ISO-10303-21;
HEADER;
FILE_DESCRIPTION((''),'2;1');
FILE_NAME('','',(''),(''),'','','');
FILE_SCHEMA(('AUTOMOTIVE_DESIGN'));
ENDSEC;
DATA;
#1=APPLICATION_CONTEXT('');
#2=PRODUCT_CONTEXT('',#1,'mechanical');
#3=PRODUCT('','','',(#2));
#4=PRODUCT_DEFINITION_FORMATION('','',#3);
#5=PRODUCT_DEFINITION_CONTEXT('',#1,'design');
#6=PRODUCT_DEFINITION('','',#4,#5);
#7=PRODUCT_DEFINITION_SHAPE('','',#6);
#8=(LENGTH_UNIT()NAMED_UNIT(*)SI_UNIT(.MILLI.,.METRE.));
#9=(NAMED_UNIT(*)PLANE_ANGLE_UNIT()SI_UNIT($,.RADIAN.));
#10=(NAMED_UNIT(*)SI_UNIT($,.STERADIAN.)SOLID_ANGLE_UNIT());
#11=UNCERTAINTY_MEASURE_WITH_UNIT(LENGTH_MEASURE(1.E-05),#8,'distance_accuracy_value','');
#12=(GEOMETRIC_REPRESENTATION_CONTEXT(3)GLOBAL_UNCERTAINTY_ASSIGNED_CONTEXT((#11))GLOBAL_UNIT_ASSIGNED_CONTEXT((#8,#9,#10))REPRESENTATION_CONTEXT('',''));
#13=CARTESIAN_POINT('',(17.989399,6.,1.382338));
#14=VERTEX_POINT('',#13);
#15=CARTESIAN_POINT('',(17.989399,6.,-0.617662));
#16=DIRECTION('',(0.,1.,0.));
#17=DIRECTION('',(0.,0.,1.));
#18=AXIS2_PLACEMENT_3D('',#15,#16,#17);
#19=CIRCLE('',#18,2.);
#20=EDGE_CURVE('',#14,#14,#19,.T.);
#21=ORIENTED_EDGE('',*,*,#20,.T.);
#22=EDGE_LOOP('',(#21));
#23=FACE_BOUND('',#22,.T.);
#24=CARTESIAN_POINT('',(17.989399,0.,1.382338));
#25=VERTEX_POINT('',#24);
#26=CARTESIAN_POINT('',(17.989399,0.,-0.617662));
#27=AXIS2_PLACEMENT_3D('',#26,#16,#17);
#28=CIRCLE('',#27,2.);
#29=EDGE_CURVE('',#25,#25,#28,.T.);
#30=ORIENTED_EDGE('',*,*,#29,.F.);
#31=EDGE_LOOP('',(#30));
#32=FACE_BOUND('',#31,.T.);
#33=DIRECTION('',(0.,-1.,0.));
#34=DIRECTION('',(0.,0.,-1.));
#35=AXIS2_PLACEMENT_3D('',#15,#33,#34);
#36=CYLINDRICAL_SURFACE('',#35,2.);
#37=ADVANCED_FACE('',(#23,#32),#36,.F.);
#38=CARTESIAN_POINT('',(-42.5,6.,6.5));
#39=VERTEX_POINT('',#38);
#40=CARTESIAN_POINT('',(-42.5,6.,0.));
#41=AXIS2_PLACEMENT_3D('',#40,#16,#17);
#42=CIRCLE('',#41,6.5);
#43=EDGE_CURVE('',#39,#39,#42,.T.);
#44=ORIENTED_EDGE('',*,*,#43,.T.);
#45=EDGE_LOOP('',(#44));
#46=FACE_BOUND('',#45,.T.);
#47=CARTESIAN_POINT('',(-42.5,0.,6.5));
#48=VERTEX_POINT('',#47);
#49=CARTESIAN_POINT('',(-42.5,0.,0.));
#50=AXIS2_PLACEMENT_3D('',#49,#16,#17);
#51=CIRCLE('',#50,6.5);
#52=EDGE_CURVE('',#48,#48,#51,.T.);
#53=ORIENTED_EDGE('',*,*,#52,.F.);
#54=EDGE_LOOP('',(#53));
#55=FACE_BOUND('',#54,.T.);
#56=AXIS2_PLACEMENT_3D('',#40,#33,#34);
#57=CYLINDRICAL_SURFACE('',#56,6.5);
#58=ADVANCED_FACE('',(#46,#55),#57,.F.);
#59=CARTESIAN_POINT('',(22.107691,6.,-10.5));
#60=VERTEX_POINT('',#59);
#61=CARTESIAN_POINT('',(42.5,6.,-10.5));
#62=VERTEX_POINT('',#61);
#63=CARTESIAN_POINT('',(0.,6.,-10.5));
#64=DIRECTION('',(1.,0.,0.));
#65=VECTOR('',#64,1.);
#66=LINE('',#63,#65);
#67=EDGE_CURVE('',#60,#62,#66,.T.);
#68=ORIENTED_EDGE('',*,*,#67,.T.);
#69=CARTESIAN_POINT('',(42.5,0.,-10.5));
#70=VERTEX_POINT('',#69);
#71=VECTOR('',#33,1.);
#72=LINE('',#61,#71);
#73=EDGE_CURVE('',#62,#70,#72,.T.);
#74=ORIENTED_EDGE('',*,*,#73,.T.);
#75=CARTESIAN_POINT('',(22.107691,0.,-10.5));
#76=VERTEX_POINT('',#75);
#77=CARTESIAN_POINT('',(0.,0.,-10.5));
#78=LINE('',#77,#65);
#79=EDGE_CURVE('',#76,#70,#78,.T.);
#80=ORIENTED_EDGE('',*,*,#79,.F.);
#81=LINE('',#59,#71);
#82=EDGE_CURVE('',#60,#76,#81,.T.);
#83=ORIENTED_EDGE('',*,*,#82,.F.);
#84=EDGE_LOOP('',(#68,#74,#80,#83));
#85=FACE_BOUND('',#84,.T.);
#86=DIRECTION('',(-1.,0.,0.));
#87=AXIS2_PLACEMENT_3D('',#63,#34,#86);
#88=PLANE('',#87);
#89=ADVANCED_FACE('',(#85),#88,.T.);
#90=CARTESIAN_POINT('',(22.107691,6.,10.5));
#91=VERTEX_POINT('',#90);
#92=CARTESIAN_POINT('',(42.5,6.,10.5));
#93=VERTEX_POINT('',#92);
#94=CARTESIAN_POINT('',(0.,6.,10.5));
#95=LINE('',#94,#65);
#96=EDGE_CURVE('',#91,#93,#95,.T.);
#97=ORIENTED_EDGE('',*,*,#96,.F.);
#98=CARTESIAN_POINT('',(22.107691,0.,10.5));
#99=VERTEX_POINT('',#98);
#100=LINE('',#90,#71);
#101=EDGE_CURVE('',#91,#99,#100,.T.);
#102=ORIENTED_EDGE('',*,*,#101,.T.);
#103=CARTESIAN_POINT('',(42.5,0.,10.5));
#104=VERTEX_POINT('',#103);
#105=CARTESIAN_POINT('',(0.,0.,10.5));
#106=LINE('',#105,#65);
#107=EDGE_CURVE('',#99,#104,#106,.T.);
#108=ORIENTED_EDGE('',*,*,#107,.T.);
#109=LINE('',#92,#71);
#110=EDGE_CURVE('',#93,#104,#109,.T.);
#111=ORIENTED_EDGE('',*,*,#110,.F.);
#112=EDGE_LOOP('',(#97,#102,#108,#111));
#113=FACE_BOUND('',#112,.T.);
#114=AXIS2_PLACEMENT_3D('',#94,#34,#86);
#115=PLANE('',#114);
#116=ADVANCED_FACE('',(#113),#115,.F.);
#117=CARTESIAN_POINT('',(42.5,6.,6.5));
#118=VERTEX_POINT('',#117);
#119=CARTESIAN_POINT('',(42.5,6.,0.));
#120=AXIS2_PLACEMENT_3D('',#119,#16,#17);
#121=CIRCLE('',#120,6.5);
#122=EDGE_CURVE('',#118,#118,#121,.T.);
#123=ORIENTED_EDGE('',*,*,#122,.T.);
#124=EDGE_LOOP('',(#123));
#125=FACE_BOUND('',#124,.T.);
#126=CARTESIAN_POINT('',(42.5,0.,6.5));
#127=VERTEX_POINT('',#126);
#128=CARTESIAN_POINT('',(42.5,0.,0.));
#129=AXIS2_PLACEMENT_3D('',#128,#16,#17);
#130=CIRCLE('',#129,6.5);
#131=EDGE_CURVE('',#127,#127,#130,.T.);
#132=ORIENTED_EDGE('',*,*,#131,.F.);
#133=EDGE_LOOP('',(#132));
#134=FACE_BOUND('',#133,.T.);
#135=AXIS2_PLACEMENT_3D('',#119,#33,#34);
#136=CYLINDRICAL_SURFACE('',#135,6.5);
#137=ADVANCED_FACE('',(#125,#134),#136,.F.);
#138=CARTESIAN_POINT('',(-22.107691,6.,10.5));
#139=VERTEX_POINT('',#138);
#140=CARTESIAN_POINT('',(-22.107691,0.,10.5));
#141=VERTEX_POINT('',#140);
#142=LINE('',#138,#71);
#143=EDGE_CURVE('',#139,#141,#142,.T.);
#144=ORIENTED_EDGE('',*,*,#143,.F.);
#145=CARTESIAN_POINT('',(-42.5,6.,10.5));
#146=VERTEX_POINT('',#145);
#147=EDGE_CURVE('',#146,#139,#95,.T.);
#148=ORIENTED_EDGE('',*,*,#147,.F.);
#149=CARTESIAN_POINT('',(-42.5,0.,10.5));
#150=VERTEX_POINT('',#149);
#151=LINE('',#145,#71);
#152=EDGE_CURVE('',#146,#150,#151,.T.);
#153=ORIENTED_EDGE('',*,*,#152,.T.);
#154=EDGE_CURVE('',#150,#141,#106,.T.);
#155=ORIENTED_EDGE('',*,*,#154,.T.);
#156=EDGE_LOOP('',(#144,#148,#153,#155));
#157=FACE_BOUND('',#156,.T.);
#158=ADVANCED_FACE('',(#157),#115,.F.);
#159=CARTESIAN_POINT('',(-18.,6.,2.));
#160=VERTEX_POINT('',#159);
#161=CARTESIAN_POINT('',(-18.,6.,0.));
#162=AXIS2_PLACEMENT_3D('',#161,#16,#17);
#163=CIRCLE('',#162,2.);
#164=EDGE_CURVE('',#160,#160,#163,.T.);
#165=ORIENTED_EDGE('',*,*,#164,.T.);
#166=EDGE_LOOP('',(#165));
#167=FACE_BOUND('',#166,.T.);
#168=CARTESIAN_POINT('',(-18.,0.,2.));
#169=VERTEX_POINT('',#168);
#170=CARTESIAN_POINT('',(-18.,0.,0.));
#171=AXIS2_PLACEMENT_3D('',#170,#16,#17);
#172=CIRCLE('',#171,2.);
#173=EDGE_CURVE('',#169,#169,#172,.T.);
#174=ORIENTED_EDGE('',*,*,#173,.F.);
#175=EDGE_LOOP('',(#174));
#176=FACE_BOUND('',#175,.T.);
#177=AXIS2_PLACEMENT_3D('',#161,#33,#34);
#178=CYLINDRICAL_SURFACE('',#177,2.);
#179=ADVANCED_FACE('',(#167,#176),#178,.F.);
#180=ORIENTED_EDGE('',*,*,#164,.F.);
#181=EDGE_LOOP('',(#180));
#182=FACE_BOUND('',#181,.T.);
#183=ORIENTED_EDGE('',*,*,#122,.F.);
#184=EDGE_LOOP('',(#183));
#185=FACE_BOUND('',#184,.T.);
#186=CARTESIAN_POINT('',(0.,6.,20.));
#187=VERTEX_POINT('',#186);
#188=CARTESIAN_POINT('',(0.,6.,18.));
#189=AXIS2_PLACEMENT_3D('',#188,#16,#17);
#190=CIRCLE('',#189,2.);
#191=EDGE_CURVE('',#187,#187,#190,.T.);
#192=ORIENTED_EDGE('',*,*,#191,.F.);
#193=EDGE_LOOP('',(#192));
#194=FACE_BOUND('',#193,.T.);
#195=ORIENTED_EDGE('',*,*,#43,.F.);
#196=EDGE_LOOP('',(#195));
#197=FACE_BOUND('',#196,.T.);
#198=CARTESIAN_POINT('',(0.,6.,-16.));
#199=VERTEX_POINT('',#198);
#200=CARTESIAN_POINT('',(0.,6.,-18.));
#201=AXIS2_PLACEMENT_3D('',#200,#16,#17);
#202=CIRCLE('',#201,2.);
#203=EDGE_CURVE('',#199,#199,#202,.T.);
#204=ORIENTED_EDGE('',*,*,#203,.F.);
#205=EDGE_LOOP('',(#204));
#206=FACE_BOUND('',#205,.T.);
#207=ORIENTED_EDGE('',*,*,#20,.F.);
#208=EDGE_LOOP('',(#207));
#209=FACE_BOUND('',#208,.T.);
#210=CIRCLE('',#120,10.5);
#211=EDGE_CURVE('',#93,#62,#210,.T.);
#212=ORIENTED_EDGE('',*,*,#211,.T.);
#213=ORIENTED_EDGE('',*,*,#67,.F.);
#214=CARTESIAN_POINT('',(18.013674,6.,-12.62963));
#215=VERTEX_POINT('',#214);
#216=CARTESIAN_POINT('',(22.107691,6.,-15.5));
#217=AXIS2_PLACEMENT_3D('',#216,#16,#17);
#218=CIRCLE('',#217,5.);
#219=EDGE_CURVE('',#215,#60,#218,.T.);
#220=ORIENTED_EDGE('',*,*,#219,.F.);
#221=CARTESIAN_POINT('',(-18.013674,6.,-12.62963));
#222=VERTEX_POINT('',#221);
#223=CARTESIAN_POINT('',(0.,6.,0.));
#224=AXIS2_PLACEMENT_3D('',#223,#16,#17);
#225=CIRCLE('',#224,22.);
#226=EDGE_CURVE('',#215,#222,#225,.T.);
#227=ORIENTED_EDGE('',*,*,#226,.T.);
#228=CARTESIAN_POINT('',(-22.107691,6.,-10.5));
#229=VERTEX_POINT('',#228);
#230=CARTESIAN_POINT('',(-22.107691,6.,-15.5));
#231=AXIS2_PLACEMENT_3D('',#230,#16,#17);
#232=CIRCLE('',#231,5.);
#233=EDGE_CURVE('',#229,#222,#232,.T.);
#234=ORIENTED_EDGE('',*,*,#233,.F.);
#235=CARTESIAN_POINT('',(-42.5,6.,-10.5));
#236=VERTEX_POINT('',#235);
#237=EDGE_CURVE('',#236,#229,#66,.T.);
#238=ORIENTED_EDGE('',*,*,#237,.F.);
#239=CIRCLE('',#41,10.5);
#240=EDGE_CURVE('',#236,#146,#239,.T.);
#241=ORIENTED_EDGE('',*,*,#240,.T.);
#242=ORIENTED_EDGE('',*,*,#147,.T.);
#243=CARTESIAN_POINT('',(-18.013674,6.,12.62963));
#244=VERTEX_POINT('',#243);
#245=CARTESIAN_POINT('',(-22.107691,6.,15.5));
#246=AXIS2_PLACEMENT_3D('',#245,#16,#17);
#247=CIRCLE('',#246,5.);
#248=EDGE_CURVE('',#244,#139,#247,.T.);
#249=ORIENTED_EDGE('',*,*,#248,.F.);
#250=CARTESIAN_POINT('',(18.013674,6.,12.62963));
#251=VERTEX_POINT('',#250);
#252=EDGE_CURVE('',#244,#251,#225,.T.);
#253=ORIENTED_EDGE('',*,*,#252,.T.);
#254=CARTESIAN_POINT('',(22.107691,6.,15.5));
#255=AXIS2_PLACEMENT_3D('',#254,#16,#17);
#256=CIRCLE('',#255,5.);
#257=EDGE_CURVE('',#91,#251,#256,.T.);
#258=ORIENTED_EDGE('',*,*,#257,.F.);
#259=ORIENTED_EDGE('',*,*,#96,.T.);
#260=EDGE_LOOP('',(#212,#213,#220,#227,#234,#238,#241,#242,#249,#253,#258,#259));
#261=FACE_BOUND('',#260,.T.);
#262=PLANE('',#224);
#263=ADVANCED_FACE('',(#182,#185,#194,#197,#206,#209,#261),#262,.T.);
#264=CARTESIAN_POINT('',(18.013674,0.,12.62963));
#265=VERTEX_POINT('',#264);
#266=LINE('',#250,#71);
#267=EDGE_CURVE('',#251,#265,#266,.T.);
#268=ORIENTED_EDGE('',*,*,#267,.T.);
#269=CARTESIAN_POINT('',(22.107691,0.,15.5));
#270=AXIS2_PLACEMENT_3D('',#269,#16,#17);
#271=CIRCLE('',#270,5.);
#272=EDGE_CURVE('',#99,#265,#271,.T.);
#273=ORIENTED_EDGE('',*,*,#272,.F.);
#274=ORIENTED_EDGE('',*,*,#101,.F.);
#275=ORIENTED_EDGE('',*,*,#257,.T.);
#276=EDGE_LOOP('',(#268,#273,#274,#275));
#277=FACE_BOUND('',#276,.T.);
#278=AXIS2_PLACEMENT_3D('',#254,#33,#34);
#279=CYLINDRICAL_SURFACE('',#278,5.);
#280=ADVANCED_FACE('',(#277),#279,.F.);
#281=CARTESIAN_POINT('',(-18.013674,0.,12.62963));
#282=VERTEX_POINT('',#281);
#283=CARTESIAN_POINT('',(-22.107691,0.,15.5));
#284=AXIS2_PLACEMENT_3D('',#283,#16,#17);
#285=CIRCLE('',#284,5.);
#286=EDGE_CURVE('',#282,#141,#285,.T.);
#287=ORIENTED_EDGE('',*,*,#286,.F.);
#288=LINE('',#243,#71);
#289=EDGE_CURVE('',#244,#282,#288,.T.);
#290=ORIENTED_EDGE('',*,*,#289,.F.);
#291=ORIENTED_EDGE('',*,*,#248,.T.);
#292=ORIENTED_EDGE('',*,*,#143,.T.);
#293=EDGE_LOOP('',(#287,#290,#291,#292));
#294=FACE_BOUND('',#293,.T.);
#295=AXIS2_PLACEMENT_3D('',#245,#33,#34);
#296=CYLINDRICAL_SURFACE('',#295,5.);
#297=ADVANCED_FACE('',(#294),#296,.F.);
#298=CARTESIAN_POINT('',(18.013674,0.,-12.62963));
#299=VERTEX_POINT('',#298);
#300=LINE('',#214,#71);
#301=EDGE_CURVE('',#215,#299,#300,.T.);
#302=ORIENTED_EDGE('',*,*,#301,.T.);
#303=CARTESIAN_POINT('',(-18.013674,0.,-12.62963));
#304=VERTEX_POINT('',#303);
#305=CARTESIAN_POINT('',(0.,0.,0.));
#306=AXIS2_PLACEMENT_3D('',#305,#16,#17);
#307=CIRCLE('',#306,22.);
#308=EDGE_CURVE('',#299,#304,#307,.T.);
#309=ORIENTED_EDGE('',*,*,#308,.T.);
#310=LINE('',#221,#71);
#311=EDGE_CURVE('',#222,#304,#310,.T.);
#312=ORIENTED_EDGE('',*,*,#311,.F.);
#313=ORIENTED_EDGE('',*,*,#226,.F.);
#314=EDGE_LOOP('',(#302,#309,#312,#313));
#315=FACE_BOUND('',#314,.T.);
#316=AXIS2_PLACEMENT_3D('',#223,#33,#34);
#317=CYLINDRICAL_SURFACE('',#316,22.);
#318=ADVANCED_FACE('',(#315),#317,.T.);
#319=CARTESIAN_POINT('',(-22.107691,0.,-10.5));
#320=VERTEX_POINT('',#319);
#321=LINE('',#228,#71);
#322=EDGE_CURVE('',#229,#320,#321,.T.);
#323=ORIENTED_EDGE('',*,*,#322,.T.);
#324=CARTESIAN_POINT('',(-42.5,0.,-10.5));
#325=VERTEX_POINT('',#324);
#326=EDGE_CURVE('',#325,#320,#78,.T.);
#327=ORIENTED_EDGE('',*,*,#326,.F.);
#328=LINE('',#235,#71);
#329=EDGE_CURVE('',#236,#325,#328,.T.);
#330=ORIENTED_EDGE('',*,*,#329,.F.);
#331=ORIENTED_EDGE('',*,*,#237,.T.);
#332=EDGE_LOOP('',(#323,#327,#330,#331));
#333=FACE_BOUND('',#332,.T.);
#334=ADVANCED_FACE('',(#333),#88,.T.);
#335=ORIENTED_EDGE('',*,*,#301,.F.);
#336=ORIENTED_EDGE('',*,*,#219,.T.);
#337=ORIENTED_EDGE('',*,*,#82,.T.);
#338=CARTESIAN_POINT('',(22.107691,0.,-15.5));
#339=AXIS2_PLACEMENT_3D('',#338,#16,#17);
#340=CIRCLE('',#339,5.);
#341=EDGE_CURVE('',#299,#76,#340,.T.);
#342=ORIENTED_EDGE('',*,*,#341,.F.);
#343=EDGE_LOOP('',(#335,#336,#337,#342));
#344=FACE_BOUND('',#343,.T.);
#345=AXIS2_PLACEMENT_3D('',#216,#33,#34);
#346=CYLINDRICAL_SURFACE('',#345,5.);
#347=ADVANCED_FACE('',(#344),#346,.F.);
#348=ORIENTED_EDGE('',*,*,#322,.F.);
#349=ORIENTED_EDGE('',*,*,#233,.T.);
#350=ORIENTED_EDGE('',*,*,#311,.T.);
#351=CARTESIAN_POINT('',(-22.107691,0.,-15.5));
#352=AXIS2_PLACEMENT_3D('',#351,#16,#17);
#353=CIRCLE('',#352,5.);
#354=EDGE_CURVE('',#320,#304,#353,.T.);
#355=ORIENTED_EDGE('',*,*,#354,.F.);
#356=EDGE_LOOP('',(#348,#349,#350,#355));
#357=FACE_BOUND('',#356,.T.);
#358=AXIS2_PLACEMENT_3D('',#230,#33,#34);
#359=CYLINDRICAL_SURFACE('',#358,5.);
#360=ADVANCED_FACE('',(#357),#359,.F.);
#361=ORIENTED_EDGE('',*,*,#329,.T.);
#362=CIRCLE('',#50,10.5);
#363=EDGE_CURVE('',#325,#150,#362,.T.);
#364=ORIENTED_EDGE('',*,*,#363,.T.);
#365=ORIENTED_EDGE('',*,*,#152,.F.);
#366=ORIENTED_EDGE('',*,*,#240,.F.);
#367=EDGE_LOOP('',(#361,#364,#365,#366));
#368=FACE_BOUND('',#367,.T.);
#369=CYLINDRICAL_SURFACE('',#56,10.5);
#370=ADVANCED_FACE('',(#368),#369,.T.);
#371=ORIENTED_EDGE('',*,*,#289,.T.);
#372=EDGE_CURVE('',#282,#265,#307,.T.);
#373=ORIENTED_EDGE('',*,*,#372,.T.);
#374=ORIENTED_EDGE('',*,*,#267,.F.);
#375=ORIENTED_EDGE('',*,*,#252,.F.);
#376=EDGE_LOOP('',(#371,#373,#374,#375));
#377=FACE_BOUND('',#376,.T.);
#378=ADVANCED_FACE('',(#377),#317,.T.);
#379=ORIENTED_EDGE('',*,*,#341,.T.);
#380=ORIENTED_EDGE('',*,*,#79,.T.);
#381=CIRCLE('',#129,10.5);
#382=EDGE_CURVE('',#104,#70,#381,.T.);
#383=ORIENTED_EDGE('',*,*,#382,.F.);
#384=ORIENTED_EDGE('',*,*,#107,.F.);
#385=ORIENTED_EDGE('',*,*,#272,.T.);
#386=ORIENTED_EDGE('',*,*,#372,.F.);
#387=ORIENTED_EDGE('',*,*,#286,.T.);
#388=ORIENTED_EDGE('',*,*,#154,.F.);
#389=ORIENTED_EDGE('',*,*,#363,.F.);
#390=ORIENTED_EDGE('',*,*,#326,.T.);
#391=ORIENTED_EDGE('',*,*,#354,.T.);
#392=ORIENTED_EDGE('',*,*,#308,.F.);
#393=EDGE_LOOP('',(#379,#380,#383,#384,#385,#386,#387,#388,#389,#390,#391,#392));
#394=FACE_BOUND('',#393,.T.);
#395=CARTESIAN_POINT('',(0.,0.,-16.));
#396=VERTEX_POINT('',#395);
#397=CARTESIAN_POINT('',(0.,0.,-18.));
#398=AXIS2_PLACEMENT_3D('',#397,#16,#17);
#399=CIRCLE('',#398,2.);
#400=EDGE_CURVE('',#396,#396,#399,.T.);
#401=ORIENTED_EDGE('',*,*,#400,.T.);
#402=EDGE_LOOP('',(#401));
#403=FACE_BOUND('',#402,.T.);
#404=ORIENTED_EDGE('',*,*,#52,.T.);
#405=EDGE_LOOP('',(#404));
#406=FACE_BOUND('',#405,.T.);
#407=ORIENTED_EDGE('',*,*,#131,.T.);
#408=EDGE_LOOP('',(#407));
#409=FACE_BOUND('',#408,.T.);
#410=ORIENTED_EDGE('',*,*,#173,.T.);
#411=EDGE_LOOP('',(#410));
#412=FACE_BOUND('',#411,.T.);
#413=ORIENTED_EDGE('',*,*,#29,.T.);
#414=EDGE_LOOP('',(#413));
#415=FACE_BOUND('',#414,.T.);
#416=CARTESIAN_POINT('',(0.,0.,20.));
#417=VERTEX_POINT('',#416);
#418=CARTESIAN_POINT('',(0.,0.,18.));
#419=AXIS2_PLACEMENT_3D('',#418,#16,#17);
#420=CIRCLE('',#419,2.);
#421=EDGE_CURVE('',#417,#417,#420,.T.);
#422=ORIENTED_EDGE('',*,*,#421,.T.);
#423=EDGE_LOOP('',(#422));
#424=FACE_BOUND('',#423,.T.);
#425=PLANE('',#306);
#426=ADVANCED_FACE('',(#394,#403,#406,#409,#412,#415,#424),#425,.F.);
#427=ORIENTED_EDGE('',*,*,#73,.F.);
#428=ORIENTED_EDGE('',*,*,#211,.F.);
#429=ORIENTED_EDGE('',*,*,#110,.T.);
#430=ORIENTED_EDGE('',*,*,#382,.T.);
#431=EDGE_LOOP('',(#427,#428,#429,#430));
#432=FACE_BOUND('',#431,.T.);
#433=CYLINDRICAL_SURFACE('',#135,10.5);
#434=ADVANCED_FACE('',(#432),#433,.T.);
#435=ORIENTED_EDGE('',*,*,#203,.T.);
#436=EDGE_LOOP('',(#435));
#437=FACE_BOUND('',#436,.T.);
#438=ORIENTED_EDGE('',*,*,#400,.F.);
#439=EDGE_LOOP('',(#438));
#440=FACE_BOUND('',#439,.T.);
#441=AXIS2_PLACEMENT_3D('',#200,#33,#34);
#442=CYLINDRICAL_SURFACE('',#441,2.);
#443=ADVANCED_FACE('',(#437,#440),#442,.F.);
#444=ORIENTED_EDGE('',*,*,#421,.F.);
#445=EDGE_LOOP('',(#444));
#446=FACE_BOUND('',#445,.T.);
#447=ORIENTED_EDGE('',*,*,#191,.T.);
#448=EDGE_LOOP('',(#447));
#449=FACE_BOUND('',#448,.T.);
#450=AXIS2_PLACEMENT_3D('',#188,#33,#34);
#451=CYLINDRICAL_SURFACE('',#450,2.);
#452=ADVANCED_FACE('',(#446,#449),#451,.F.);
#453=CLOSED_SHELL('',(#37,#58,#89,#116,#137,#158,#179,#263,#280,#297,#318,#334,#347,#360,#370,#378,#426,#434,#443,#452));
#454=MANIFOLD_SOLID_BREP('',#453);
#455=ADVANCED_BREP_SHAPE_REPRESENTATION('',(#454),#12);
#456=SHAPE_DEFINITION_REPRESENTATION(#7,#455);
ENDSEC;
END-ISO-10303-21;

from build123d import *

# Parameters (mm, degrees)
SKETCH1_R           = 2
SKETCH1_R_2         = 6.5
BOSS_EXTRUDE1_DEPTH = 6


with BuildPart() as part:
    # Sketch1 → Boss-Extrude1 (new body)
    with BuildSketch(Plane(origin=(0, 0, 0), x_dir=(1, 0, 0), z_dir=(0, 1, 0))):
        with BuildLine():
            Line((-22.107690969, 10.5), (-42.5, 10.5))
            ThreePointArc((-42.5, 10.5), (-53, 0), (-42.5, -10.5))
            Line((-42.5, -10.5), (-22.107690969, -10.5))
            ThreePointArc((-22.107690969, -10.5), (-19.800295422, -11.06424462), (-18.013674085, -12.629629684))
            ThreePointArc((-18.013674085, -12.629629684), (7.2e-08, -22), (18.013674168, -12.629629566))
            ThreePointArc((18.013674168, -12.629629566), (19.800295486, -11.064244587), (22.107690969, -10.5))
            Line((22.107690969, -10.5), (42.5, -10.5))
            ThreePointArc((42.5, -10.5), (53, 0), (42.5, 10.5))
            Line((42.5, 10.5), (22.107690919, 10.5))
            ThreePointArc((22.107690919, 10.5), (19.800295464, 11.064244598), (18.013674168, 12.629629566))
            ThreePointArc((18.013674168, 12.629629566), (0, 22), (-18.013674168, 12.629629566))
            ThreePointArc((-18.013674168, 12.629629566), (-19.800295486, 11.064244587), (-22.107690969, 10.5))
        make_face()
        with Locations((17.989399487, 0.617661785)):
            Circle(SKETCH1_R, mode=Mode.SUBTRACT)
        with Locations((-42.5, 0)):
            Circle(SKETCH1_R_2, mode=Mode.SUBTRACT)
        with Locations((-18, 0)):
            Circle(SKETCH1_R, mode=Mode.SUBTRACT)
        with Locations((0, -18)):
            Circle(SKETCH1_R, mode=Mode.SUBTRACT)
        with Locations((0, 18)):
            Circle(SKETCH1_R, mode=Mode.SUBTRACT)
        with Locations((42.5, 0)):
            Circle(SKETCH1_R_2, mode=Mode.SUBTRACT)
    extrude(amount=BOSS_EXTRUDE1_DEPTH)


solid = part.part
